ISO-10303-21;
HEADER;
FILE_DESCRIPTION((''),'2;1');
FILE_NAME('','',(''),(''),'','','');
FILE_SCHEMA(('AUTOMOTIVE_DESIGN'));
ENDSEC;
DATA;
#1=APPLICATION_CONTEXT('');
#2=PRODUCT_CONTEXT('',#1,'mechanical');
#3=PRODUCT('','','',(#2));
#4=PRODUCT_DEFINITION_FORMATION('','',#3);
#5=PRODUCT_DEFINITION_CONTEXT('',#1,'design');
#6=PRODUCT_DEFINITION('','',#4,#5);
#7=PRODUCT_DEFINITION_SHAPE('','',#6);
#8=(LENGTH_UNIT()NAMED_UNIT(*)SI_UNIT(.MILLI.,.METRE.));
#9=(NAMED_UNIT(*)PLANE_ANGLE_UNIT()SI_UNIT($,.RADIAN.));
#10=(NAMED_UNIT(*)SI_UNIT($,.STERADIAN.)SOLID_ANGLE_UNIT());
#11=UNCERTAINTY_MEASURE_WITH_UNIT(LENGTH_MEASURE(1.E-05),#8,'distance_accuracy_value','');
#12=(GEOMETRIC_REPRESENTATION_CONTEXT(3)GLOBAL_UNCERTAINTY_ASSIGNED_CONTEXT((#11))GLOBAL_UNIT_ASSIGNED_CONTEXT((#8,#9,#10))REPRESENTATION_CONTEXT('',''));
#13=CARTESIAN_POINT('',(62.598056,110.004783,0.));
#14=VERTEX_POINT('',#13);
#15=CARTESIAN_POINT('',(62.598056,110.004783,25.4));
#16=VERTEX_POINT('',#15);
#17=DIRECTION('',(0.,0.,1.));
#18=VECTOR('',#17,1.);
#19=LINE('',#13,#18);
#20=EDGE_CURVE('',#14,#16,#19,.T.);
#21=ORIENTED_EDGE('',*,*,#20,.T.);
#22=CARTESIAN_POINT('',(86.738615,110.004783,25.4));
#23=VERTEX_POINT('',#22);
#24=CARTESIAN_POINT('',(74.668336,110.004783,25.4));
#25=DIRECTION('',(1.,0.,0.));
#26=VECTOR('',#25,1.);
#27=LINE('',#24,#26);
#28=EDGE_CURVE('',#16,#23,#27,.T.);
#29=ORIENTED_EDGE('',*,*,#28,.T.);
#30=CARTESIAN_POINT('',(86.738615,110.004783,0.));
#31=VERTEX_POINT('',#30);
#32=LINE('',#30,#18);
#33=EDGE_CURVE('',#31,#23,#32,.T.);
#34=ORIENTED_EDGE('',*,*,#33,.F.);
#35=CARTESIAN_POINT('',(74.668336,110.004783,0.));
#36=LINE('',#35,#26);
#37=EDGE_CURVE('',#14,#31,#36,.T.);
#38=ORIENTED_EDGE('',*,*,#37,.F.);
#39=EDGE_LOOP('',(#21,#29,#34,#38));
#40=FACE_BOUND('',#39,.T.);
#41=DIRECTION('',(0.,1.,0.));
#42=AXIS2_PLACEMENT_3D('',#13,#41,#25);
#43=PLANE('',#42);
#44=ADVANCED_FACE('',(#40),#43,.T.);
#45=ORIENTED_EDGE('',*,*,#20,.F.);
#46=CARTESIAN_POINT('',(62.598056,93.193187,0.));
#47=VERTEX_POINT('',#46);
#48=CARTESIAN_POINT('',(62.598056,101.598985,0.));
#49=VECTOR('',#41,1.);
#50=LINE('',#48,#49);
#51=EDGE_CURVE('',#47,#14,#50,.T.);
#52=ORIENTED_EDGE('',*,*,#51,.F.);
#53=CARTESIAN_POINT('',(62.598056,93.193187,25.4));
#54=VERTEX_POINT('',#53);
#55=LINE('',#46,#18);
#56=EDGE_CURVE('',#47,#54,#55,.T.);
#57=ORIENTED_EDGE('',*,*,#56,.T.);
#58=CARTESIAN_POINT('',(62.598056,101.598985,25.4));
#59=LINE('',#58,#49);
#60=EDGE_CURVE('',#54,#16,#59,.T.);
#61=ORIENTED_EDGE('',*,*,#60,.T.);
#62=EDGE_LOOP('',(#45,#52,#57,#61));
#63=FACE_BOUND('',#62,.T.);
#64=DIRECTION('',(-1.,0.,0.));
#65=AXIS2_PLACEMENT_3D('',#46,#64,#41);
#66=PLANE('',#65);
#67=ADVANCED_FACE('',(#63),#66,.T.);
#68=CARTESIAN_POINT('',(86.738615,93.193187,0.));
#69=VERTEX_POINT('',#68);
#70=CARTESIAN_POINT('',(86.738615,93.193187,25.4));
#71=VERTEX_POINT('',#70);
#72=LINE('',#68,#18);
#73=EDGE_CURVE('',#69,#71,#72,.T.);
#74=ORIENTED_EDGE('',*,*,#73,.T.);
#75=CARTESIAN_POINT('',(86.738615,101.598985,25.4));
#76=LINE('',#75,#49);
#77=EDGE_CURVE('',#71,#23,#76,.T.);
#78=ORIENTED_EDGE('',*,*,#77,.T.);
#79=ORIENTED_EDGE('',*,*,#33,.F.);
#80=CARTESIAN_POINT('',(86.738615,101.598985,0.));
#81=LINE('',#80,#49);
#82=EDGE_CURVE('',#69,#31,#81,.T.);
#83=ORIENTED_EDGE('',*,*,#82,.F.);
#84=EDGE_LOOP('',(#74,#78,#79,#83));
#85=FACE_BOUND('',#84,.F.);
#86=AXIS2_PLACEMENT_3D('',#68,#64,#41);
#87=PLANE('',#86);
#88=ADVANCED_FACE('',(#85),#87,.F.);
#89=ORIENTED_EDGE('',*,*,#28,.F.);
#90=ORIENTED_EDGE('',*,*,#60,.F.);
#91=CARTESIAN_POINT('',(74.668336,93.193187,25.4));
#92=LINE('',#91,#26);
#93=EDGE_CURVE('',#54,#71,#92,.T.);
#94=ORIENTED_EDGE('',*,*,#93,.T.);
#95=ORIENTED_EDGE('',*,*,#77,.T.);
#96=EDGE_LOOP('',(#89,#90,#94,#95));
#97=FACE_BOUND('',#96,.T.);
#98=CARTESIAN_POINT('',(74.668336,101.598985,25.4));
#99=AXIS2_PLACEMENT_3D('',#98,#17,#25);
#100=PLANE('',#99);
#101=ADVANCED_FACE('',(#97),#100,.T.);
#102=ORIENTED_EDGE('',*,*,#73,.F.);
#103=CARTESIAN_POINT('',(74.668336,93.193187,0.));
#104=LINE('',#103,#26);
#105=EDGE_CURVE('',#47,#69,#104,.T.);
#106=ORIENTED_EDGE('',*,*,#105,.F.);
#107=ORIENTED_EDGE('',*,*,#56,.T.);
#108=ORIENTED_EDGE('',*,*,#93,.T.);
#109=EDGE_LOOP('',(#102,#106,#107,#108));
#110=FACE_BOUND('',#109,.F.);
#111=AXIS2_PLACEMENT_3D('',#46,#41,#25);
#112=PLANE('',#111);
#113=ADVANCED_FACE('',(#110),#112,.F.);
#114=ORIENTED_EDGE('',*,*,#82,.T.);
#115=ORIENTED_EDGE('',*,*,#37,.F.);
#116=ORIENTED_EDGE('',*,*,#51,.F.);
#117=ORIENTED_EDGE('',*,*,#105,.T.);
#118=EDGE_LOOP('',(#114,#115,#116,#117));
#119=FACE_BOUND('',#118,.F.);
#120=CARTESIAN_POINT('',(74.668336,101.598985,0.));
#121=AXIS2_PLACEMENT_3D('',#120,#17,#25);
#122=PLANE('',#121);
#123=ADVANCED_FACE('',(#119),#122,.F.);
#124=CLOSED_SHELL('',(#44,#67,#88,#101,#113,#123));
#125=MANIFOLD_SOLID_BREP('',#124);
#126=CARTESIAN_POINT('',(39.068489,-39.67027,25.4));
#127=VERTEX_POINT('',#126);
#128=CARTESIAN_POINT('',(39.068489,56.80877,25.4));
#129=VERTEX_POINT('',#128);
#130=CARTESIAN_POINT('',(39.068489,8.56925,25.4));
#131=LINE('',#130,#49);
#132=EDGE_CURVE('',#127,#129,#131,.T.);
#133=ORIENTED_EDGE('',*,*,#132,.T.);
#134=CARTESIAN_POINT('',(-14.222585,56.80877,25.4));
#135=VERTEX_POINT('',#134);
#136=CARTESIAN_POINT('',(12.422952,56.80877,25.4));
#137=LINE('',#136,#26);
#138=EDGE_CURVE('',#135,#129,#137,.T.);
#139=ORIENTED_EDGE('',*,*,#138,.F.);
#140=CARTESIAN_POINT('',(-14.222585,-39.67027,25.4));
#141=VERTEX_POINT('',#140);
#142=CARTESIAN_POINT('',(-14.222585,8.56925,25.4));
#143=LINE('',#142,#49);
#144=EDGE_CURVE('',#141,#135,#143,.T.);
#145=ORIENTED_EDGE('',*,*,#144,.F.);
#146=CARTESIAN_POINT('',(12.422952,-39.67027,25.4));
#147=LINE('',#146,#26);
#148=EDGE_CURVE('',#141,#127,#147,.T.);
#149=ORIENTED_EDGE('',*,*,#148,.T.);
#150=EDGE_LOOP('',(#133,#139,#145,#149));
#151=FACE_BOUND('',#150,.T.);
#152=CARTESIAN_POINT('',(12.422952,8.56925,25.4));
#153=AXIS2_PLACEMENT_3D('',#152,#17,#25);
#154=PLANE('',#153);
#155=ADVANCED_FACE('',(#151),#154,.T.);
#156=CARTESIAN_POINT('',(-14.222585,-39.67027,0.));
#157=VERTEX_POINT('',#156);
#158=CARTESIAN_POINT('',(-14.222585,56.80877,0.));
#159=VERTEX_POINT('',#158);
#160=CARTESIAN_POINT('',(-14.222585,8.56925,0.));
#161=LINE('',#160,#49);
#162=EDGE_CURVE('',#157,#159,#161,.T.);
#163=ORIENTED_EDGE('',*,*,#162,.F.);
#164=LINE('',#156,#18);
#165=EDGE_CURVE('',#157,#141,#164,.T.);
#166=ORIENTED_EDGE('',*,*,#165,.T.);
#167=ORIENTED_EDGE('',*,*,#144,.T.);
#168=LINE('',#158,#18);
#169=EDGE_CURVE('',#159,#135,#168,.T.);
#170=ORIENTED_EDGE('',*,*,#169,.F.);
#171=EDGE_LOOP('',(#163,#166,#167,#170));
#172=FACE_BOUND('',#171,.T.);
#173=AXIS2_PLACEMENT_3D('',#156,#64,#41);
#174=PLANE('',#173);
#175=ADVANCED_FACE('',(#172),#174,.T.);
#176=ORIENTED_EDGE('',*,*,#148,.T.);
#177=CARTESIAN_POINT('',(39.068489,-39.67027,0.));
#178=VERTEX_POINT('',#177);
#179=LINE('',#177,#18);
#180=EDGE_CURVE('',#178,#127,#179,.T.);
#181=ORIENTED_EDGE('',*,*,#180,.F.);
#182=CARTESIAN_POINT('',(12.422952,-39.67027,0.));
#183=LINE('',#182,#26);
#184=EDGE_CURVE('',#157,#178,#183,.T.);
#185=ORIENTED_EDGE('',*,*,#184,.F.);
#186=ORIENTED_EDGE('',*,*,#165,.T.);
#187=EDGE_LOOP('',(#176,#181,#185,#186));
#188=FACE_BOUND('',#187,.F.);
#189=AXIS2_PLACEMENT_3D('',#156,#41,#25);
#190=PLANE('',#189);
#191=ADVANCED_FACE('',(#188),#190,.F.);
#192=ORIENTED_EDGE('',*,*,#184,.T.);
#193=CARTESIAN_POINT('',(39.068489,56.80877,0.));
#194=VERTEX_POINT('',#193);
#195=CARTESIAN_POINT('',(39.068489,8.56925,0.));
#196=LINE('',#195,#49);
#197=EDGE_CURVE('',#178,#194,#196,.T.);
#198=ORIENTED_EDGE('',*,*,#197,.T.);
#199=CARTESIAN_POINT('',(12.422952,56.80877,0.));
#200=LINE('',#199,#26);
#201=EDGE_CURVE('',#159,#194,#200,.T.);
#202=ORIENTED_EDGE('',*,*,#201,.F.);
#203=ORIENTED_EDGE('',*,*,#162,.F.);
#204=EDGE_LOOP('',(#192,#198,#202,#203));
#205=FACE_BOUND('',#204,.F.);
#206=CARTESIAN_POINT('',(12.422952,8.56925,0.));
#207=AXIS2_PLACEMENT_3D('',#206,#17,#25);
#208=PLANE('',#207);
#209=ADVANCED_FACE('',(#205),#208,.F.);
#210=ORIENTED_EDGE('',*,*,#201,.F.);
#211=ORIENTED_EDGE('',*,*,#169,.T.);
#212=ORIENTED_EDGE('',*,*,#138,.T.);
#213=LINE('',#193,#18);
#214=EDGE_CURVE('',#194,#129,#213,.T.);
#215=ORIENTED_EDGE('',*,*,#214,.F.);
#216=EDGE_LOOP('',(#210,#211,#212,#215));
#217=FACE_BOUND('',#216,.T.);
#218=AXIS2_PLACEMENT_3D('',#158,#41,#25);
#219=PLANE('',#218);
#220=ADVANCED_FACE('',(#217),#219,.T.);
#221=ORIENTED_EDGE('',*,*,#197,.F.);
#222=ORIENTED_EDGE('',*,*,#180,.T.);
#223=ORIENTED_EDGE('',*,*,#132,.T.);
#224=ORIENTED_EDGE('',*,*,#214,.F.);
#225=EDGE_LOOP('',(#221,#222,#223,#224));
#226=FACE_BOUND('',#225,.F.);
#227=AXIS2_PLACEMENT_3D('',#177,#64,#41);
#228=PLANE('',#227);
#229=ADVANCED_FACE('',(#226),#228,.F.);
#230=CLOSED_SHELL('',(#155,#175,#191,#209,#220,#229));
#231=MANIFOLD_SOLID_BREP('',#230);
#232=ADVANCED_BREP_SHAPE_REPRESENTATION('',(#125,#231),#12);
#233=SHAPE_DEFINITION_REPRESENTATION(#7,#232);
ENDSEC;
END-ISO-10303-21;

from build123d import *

# Parameters (mm, degrees)
F0_W     = 53.291075
F0_H     = 96.47904
F0_W_2   = 24.140559
F0_H_2   = 16.811595
F1_DEPTH = 25.4


with BuildPart() as f1:
    # F0 (on Top) → F1 (new body)
    with BuildSketch(Plane.XY):
        with Locations((12.422952, 8.56925)):
            Rectangle(F0_W, F0_H)
        with Locations((74.668336, 101.598985)):
            Rectangle(F0_W_2, F0_H_2)
    extrude(amount=F1_DEPTH)


solid = f1.part
